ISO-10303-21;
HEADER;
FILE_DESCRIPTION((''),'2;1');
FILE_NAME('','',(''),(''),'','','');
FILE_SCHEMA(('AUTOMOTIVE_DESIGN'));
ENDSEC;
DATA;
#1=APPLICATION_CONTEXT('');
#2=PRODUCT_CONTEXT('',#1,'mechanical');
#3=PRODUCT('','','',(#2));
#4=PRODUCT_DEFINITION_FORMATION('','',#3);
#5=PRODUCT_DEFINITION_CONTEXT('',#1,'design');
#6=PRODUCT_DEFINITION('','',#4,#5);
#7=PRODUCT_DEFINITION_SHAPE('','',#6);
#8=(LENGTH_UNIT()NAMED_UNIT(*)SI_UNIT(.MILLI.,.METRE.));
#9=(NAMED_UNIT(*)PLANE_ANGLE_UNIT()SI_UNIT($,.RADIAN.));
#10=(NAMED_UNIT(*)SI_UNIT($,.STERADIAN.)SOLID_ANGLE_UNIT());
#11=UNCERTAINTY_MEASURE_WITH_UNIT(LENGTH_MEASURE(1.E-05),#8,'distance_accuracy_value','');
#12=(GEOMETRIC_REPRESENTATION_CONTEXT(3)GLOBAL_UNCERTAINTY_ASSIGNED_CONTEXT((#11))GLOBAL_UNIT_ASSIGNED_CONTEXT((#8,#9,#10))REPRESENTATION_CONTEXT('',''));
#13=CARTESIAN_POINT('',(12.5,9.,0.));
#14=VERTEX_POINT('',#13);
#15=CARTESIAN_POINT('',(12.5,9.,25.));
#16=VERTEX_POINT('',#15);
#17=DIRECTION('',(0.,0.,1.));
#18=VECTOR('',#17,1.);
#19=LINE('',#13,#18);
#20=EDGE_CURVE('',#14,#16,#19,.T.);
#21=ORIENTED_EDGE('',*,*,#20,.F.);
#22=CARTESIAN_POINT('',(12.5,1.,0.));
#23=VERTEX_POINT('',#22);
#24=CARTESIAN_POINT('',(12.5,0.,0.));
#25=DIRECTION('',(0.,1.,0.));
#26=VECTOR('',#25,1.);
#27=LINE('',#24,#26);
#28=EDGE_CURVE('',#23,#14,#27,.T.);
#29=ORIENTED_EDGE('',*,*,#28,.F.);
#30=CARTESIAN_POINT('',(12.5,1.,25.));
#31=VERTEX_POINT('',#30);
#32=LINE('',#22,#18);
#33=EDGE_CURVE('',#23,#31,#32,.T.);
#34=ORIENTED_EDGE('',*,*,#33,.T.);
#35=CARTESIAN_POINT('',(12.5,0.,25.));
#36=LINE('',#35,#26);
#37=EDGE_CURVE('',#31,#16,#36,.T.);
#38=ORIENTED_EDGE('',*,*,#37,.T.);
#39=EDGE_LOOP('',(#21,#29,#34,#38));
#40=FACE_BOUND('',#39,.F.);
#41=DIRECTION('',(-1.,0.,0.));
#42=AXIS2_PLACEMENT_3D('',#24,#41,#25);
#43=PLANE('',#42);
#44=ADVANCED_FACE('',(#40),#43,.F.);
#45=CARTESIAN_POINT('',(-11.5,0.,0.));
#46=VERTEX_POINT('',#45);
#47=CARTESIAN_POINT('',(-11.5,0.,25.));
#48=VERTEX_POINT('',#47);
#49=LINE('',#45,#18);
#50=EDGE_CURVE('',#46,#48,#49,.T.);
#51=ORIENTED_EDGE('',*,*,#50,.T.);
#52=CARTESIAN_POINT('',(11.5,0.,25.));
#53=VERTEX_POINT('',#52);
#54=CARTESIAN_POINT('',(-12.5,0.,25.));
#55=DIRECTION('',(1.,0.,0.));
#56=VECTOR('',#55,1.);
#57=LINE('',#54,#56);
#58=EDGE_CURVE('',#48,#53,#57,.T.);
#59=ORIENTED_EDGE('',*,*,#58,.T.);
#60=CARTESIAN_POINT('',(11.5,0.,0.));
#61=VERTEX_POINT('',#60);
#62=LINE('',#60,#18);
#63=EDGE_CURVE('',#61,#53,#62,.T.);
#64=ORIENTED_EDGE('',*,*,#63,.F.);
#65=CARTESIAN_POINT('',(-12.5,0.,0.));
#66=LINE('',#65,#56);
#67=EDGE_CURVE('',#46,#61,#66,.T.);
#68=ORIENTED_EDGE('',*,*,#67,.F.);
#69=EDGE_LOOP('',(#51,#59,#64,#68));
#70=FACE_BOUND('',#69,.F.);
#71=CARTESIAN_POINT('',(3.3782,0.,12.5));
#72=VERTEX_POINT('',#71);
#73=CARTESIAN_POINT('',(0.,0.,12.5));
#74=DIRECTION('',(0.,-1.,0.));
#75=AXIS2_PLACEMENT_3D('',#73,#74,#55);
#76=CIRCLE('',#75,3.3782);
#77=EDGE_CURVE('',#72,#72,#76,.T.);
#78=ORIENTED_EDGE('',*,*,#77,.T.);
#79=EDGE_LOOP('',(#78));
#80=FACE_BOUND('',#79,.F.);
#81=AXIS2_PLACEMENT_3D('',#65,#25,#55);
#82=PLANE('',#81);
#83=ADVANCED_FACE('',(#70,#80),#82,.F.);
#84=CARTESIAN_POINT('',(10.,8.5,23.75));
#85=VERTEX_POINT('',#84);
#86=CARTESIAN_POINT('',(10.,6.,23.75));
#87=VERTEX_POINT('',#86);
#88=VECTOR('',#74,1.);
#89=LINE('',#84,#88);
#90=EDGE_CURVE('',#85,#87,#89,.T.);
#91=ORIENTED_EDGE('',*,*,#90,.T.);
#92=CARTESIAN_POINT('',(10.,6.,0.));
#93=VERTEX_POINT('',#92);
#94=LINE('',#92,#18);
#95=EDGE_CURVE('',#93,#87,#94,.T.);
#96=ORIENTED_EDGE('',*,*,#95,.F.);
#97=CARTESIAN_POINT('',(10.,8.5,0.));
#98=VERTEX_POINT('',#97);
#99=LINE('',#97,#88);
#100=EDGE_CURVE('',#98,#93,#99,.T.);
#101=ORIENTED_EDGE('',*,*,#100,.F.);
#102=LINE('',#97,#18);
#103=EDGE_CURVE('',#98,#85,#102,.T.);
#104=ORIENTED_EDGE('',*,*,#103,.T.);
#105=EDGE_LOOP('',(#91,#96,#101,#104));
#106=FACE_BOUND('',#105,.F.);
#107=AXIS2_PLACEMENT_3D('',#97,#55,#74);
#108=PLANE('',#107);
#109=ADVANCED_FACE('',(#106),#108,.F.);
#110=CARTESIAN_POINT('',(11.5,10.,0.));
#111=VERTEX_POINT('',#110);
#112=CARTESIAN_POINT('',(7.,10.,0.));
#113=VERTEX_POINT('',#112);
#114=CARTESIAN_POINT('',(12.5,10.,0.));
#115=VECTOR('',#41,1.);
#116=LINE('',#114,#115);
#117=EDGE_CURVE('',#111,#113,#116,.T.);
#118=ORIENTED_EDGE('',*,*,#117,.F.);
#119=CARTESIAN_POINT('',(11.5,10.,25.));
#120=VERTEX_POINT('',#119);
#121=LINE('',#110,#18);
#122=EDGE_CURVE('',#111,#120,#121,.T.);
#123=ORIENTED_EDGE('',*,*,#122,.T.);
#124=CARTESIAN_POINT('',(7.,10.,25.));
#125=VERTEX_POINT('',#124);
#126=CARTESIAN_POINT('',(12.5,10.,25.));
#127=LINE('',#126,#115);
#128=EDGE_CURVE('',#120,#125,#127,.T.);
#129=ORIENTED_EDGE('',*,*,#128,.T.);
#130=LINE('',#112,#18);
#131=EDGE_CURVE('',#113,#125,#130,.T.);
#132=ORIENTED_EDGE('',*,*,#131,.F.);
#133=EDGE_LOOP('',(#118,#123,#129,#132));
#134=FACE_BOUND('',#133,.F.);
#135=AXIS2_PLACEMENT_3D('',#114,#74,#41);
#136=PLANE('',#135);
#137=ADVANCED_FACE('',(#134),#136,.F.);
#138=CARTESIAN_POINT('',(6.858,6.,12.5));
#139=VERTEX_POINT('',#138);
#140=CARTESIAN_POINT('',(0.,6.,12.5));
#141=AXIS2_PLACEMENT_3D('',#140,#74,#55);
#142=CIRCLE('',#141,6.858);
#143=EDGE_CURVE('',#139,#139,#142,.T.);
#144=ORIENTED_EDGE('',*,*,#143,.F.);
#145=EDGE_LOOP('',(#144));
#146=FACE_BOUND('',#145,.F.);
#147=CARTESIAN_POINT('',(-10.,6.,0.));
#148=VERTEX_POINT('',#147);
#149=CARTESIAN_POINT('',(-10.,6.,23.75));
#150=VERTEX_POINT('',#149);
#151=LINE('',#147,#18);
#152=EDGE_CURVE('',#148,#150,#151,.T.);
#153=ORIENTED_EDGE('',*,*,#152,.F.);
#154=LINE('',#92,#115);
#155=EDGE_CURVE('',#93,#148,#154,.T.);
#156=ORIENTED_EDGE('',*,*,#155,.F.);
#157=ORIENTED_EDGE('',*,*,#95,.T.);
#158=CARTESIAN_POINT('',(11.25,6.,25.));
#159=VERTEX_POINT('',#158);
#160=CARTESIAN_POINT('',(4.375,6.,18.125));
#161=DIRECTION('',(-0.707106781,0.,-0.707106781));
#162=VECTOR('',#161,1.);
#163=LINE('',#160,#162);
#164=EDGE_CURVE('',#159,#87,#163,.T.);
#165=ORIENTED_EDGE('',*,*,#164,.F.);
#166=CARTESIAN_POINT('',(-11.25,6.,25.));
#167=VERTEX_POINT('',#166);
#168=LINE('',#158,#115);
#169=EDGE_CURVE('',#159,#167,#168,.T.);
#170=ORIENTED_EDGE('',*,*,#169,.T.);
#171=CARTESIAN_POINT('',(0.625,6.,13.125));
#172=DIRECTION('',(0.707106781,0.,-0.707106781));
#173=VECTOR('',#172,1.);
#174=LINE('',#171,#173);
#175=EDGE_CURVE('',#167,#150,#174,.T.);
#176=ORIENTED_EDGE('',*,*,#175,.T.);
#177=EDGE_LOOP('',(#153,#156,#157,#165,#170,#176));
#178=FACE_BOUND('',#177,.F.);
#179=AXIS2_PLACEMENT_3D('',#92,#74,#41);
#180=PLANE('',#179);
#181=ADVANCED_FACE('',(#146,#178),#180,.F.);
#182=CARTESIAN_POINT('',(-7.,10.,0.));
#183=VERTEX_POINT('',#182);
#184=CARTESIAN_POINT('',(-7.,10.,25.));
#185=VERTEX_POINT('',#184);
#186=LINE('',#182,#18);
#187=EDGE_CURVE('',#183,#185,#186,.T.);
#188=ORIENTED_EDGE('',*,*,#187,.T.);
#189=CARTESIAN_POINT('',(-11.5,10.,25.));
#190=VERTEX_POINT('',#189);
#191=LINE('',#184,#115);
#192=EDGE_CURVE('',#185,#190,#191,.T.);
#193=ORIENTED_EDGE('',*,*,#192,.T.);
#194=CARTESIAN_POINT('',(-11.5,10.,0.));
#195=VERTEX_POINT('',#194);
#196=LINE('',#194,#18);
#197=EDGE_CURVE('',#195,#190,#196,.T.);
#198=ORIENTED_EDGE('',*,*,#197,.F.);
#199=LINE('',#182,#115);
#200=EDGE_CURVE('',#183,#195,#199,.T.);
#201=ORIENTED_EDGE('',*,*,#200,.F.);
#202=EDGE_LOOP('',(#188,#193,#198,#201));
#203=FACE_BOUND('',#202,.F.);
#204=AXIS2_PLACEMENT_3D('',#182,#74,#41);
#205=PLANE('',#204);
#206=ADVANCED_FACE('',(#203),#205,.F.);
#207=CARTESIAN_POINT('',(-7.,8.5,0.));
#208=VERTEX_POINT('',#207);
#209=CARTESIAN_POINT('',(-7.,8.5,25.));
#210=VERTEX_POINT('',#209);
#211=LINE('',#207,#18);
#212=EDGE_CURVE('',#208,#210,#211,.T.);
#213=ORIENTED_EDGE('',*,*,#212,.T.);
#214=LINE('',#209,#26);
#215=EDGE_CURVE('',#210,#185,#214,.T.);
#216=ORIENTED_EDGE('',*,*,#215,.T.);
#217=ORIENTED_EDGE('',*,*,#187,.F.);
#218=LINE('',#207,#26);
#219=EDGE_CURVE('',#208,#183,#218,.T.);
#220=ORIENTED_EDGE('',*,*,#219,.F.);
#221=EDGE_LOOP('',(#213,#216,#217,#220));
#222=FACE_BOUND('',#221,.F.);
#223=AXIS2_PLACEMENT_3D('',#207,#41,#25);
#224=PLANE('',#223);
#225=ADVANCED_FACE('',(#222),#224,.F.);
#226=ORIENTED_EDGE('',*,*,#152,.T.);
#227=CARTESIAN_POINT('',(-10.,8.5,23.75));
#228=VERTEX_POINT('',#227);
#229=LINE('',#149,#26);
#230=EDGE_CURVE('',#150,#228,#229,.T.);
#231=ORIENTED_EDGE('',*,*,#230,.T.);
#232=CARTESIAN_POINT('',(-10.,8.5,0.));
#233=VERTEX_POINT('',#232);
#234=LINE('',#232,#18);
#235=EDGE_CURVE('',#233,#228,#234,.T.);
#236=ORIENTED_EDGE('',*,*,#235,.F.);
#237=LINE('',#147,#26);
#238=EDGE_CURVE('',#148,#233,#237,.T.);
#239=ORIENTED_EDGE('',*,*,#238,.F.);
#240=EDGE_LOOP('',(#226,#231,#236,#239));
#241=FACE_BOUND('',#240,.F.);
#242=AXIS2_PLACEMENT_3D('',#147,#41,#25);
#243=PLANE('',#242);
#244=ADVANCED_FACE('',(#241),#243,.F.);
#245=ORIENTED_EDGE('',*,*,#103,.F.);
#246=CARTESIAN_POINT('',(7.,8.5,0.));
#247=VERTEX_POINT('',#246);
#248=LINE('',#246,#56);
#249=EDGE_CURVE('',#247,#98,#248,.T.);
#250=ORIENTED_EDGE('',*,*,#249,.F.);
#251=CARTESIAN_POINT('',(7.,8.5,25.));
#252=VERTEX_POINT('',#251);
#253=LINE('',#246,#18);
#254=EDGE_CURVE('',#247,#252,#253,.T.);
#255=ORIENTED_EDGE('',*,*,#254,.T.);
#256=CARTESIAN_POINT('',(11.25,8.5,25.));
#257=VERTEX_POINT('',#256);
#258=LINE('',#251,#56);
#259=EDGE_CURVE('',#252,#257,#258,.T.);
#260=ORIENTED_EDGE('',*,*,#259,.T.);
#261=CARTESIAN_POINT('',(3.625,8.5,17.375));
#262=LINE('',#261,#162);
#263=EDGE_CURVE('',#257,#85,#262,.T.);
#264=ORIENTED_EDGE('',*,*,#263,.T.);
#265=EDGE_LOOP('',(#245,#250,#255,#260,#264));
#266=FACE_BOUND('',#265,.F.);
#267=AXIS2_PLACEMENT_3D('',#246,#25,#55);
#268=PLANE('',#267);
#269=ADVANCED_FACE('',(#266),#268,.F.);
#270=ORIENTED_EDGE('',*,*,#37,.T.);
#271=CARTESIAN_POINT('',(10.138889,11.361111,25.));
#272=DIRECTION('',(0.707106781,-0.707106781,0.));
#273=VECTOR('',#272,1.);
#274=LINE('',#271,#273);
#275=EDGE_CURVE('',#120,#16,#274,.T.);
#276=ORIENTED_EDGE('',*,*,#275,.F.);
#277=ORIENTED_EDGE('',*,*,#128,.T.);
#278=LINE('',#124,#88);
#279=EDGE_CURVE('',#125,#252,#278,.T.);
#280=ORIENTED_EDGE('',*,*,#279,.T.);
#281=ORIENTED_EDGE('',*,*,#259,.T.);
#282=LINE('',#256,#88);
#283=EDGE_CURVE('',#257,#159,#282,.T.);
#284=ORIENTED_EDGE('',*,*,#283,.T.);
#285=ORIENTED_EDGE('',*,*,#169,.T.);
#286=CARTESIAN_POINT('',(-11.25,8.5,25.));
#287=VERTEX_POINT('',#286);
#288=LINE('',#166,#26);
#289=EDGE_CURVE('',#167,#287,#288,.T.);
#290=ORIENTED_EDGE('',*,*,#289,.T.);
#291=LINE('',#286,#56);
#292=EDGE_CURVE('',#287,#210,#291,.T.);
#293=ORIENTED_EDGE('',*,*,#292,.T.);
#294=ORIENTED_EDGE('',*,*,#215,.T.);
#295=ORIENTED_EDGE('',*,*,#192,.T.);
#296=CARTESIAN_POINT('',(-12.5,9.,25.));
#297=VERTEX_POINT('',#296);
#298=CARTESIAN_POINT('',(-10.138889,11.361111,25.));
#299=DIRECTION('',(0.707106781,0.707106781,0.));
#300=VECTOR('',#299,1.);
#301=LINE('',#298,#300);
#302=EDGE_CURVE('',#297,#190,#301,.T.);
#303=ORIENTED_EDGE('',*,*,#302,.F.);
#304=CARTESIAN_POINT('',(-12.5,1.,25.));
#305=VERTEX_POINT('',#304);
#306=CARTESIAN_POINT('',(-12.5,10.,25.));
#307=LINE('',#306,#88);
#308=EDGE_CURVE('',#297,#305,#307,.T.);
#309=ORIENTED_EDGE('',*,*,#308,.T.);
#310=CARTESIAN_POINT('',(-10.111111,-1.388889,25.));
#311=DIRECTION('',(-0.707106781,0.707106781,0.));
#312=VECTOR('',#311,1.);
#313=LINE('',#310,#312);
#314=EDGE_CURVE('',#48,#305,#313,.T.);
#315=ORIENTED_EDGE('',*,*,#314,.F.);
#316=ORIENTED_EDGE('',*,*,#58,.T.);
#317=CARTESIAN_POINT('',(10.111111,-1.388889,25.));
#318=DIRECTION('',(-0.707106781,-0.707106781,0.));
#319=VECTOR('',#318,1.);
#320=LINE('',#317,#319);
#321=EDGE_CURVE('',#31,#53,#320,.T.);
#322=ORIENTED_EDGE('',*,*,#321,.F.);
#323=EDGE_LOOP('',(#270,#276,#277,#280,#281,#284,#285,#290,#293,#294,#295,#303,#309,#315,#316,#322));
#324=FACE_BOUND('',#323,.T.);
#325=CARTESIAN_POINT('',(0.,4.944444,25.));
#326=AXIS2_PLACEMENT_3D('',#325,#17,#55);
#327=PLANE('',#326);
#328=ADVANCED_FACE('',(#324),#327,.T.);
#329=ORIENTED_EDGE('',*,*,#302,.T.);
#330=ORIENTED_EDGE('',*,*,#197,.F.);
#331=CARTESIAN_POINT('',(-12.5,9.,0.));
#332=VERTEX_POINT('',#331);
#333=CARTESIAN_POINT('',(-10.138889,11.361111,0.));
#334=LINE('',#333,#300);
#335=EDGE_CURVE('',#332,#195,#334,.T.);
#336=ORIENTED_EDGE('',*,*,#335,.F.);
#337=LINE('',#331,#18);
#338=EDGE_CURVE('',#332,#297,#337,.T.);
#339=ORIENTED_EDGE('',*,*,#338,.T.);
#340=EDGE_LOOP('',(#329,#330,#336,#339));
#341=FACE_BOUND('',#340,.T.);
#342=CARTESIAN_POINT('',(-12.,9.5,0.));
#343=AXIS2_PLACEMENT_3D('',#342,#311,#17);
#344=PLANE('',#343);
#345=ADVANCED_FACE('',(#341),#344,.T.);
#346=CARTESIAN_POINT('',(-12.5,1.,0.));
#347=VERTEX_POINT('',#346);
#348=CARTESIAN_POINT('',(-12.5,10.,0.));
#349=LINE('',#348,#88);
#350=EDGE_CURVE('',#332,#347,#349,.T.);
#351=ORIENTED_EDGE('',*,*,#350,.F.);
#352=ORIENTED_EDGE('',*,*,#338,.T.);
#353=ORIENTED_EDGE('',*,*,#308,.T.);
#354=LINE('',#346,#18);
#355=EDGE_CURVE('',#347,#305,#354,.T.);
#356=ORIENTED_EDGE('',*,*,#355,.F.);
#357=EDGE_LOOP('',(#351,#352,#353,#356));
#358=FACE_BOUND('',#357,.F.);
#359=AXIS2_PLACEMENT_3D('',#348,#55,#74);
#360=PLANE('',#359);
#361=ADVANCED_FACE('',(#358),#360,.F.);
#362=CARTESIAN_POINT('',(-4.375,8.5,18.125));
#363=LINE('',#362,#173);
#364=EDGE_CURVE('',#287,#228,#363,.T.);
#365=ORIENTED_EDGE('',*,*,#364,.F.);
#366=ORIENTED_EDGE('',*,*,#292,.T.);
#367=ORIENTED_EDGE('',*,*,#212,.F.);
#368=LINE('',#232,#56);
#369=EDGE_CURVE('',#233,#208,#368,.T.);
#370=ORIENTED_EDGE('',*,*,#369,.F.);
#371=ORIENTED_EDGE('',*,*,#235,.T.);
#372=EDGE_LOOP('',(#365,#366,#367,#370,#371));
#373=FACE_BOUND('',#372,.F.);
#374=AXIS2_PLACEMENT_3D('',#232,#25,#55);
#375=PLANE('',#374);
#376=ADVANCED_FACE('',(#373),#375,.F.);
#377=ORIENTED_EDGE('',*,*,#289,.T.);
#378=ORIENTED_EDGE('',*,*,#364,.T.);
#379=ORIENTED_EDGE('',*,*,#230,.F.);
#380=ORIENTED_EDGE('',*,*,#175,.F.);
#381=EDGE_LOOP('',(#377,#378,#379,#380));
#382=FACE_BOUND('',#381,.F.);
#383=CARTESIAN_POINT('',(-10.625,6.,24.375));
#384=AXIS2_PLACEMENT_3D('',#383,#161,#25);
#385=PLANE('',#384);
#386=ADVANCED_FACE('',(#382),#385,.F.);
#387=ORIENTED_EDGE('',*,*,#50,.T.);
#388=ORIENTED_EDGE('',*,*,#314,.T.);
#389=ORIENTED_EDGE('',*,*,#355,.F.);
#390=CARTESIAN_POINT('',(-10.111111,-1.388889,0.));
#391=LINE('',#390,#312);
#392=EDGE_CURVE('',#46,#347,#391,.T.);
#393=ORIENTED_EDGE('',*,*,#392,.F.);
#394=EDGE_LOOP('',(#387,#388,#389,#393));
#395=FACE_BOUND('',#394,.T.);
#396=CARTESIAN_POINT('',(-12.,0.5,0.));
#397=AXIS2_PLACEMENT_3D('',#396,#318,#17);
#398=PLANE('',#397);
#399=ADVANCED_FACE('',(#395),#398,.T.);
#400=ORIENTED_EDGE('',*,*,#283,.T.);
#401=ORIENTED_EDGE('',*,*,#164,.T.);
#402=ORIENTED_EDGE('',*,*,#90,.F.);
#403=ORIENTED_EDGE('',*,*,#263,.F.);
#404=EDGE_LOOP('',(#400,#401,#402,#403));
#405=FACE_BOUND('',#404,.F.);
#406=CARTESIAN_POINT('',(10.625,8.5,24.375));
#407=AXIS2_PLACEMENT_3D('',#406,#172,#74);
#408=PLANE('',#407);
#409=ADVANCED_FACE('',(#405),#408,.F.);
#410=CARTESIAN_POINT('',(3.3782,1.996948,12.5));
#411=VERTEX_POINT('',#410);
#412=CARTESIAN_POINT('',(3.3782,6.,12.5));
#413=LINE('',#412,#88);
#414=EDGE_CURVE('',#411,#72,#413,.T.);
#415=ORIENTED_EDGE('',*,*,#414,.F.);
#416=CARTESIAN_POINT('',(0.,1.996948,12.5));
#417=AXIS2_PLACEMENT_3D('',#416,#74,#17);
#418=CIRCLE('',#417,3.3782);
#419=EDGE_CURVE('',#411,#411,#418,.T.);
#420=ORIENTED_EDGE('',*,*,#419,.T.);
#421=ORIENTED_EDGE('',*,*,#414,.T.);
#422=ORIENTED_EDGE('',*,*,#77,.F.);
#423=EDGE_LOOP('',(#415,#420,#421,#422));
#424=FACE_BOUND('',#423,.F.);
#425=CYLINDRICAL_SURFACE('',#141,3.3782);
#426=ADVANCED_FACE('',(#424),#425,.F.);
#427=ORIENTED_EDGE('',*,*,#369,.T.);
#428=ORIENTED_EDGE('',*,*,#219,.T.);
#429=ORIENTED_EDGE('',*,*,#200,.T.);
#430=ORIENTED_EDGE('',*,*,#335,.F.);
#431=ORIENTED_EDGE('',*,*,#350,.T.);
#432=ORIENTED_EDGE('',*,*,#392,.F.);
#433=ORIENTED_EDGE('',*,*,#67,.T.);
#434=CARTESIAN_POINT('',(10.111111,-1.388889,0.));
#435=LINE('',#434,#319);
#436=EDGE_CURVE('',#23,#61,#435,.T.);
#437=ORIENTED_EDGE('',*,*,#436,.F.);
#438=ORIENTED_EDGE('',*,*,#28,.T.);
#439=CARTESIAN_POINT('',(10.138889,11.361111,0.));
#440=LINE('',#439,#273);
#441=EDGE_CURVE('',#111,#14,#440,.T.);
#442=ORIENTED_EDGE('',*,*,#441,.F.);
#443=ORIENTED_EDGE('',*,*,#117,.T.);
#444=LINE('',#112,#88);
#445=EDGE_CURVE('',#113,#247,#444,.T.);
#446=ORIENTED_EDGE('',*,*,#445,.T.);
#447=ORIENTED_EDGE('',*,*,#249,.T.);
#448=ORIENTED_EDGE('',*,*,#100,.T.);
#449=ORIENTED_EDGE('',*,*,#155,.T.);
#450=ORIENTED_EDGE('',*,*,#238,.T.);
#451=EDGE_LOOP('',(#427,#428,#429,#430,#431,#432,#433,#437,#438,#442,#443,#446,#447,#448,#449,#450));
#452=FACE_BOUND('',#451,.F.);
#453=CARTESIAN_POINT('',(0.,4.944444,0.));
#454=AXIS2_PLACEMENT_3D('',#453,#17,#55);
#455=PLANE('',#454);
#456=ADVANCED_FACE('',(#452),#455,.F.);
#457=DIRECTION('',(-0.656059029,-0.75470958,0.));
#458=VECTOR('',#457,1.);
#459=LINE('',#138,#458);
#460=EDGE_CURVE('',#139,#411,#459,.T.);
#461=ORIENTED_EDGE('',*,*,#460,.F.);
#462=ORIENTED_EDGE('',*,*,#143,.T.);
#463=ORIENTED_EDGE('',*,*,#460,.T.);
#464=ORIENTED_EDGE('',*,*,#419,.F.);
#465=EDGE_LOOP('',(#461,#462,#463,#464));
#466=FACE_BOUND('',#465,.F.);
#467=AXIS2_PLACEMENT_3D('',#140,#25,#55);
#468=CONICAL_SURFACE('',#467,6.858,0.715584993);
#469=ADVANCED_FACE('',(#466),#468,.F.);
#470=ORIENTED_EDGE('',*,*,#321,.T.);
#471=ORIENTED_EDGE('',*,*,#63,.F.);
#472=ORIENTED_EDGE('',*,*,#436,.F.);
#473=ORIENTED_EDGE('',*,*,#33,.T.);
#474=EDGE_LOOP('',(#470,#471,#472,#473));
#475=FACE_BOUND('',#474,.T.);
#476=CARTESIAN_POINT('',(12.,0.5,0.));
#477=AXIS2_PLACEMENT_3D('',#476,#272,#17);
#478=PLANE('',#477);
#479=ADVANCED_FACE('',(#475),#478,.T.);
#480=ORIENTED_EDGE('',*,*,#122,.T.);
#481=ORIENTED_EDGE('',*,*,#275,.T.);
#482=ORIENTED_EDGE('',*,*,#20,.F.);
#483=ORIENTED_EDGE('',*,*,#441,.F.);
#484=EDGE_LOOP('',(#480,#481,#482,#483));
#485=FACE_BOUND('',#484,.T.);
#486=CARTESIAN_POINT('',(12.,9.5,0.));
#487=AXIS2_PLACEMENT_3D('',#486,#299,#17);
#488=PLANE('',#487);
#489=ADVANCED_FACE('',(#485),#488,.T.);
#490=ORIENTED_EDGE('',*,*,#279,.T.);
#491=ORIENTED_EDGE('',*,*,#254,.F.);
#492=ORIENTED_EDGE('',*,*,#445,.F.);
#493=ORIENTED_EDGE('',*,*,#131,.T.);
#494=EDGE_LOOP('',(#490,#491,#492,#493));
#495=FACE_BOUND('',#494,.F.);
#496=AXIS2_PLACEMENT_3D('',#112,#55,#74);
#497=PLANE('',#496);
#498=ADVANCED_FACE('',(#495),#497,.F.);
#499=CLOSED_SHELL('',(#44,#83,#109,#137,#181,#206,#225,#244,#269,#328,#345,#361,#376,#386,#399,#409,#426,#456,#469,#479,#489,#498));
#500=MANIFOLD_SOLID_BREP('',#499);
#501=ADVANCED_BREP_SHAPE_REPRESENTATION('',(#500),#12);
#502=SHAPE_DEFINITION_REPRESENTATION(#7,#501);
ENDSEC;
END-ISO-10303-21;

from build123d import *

# Parameters (mm, degrees)
F1_DEPTH       = 25
F3_D           = 6.7564
F3_CSINK_D     = 13.716
F3_CSINK_ANGLE = 82
F4_SIZE        = 1.25
F5_SIZE        = 1


with BuildPart() as f1:
    # F0 (on Top) → F1 (new body)
    with BuildSketch(Plane.XY):
        Polygon((-12.5, 10), (-12.5, 0), (12.5, 0), (12.5, 10), (7, 10), (7, 8.5), (10, 8.5), (10, 6), (-10, 6), (-10, 8.5), (-7, 8.5), (-7, 10), align=None)
    extrude(amount=F1_DEPTH)

    # F3 (through all)
    with Locations(Plane(origin=(0, 6, 0), x_dir=(-1, 0, 0), z_dir=(0, 1, 0))):
        with Locations((0, 12.5)):
            CounterSinkHole(F3_D / 2, F3_CSINK_D / 2, counter_sink_angle=F3_CSINK_ANGLE)

    # F4
    f4_edges = [f1.edges().sort_by_distance(p)[0] for p in [
        (-10, 7.25, 25),
        (10, 7.25, 25),
    ]]
    chamfer(f4_edges, length=F4_SIZE)

    # F5
    f5_edges = [f1.edges().sort_by_distance(p)[0] for p in [
        (12.5, 10, 12.5),
        (12.5, 0, 12.5),
        (-12.5, 10, 12.5),
        (-12.5, 0, 12.5),
    ]]
    chamfer(f5_edges, length=F5_SIZE)


solid = f1.part
